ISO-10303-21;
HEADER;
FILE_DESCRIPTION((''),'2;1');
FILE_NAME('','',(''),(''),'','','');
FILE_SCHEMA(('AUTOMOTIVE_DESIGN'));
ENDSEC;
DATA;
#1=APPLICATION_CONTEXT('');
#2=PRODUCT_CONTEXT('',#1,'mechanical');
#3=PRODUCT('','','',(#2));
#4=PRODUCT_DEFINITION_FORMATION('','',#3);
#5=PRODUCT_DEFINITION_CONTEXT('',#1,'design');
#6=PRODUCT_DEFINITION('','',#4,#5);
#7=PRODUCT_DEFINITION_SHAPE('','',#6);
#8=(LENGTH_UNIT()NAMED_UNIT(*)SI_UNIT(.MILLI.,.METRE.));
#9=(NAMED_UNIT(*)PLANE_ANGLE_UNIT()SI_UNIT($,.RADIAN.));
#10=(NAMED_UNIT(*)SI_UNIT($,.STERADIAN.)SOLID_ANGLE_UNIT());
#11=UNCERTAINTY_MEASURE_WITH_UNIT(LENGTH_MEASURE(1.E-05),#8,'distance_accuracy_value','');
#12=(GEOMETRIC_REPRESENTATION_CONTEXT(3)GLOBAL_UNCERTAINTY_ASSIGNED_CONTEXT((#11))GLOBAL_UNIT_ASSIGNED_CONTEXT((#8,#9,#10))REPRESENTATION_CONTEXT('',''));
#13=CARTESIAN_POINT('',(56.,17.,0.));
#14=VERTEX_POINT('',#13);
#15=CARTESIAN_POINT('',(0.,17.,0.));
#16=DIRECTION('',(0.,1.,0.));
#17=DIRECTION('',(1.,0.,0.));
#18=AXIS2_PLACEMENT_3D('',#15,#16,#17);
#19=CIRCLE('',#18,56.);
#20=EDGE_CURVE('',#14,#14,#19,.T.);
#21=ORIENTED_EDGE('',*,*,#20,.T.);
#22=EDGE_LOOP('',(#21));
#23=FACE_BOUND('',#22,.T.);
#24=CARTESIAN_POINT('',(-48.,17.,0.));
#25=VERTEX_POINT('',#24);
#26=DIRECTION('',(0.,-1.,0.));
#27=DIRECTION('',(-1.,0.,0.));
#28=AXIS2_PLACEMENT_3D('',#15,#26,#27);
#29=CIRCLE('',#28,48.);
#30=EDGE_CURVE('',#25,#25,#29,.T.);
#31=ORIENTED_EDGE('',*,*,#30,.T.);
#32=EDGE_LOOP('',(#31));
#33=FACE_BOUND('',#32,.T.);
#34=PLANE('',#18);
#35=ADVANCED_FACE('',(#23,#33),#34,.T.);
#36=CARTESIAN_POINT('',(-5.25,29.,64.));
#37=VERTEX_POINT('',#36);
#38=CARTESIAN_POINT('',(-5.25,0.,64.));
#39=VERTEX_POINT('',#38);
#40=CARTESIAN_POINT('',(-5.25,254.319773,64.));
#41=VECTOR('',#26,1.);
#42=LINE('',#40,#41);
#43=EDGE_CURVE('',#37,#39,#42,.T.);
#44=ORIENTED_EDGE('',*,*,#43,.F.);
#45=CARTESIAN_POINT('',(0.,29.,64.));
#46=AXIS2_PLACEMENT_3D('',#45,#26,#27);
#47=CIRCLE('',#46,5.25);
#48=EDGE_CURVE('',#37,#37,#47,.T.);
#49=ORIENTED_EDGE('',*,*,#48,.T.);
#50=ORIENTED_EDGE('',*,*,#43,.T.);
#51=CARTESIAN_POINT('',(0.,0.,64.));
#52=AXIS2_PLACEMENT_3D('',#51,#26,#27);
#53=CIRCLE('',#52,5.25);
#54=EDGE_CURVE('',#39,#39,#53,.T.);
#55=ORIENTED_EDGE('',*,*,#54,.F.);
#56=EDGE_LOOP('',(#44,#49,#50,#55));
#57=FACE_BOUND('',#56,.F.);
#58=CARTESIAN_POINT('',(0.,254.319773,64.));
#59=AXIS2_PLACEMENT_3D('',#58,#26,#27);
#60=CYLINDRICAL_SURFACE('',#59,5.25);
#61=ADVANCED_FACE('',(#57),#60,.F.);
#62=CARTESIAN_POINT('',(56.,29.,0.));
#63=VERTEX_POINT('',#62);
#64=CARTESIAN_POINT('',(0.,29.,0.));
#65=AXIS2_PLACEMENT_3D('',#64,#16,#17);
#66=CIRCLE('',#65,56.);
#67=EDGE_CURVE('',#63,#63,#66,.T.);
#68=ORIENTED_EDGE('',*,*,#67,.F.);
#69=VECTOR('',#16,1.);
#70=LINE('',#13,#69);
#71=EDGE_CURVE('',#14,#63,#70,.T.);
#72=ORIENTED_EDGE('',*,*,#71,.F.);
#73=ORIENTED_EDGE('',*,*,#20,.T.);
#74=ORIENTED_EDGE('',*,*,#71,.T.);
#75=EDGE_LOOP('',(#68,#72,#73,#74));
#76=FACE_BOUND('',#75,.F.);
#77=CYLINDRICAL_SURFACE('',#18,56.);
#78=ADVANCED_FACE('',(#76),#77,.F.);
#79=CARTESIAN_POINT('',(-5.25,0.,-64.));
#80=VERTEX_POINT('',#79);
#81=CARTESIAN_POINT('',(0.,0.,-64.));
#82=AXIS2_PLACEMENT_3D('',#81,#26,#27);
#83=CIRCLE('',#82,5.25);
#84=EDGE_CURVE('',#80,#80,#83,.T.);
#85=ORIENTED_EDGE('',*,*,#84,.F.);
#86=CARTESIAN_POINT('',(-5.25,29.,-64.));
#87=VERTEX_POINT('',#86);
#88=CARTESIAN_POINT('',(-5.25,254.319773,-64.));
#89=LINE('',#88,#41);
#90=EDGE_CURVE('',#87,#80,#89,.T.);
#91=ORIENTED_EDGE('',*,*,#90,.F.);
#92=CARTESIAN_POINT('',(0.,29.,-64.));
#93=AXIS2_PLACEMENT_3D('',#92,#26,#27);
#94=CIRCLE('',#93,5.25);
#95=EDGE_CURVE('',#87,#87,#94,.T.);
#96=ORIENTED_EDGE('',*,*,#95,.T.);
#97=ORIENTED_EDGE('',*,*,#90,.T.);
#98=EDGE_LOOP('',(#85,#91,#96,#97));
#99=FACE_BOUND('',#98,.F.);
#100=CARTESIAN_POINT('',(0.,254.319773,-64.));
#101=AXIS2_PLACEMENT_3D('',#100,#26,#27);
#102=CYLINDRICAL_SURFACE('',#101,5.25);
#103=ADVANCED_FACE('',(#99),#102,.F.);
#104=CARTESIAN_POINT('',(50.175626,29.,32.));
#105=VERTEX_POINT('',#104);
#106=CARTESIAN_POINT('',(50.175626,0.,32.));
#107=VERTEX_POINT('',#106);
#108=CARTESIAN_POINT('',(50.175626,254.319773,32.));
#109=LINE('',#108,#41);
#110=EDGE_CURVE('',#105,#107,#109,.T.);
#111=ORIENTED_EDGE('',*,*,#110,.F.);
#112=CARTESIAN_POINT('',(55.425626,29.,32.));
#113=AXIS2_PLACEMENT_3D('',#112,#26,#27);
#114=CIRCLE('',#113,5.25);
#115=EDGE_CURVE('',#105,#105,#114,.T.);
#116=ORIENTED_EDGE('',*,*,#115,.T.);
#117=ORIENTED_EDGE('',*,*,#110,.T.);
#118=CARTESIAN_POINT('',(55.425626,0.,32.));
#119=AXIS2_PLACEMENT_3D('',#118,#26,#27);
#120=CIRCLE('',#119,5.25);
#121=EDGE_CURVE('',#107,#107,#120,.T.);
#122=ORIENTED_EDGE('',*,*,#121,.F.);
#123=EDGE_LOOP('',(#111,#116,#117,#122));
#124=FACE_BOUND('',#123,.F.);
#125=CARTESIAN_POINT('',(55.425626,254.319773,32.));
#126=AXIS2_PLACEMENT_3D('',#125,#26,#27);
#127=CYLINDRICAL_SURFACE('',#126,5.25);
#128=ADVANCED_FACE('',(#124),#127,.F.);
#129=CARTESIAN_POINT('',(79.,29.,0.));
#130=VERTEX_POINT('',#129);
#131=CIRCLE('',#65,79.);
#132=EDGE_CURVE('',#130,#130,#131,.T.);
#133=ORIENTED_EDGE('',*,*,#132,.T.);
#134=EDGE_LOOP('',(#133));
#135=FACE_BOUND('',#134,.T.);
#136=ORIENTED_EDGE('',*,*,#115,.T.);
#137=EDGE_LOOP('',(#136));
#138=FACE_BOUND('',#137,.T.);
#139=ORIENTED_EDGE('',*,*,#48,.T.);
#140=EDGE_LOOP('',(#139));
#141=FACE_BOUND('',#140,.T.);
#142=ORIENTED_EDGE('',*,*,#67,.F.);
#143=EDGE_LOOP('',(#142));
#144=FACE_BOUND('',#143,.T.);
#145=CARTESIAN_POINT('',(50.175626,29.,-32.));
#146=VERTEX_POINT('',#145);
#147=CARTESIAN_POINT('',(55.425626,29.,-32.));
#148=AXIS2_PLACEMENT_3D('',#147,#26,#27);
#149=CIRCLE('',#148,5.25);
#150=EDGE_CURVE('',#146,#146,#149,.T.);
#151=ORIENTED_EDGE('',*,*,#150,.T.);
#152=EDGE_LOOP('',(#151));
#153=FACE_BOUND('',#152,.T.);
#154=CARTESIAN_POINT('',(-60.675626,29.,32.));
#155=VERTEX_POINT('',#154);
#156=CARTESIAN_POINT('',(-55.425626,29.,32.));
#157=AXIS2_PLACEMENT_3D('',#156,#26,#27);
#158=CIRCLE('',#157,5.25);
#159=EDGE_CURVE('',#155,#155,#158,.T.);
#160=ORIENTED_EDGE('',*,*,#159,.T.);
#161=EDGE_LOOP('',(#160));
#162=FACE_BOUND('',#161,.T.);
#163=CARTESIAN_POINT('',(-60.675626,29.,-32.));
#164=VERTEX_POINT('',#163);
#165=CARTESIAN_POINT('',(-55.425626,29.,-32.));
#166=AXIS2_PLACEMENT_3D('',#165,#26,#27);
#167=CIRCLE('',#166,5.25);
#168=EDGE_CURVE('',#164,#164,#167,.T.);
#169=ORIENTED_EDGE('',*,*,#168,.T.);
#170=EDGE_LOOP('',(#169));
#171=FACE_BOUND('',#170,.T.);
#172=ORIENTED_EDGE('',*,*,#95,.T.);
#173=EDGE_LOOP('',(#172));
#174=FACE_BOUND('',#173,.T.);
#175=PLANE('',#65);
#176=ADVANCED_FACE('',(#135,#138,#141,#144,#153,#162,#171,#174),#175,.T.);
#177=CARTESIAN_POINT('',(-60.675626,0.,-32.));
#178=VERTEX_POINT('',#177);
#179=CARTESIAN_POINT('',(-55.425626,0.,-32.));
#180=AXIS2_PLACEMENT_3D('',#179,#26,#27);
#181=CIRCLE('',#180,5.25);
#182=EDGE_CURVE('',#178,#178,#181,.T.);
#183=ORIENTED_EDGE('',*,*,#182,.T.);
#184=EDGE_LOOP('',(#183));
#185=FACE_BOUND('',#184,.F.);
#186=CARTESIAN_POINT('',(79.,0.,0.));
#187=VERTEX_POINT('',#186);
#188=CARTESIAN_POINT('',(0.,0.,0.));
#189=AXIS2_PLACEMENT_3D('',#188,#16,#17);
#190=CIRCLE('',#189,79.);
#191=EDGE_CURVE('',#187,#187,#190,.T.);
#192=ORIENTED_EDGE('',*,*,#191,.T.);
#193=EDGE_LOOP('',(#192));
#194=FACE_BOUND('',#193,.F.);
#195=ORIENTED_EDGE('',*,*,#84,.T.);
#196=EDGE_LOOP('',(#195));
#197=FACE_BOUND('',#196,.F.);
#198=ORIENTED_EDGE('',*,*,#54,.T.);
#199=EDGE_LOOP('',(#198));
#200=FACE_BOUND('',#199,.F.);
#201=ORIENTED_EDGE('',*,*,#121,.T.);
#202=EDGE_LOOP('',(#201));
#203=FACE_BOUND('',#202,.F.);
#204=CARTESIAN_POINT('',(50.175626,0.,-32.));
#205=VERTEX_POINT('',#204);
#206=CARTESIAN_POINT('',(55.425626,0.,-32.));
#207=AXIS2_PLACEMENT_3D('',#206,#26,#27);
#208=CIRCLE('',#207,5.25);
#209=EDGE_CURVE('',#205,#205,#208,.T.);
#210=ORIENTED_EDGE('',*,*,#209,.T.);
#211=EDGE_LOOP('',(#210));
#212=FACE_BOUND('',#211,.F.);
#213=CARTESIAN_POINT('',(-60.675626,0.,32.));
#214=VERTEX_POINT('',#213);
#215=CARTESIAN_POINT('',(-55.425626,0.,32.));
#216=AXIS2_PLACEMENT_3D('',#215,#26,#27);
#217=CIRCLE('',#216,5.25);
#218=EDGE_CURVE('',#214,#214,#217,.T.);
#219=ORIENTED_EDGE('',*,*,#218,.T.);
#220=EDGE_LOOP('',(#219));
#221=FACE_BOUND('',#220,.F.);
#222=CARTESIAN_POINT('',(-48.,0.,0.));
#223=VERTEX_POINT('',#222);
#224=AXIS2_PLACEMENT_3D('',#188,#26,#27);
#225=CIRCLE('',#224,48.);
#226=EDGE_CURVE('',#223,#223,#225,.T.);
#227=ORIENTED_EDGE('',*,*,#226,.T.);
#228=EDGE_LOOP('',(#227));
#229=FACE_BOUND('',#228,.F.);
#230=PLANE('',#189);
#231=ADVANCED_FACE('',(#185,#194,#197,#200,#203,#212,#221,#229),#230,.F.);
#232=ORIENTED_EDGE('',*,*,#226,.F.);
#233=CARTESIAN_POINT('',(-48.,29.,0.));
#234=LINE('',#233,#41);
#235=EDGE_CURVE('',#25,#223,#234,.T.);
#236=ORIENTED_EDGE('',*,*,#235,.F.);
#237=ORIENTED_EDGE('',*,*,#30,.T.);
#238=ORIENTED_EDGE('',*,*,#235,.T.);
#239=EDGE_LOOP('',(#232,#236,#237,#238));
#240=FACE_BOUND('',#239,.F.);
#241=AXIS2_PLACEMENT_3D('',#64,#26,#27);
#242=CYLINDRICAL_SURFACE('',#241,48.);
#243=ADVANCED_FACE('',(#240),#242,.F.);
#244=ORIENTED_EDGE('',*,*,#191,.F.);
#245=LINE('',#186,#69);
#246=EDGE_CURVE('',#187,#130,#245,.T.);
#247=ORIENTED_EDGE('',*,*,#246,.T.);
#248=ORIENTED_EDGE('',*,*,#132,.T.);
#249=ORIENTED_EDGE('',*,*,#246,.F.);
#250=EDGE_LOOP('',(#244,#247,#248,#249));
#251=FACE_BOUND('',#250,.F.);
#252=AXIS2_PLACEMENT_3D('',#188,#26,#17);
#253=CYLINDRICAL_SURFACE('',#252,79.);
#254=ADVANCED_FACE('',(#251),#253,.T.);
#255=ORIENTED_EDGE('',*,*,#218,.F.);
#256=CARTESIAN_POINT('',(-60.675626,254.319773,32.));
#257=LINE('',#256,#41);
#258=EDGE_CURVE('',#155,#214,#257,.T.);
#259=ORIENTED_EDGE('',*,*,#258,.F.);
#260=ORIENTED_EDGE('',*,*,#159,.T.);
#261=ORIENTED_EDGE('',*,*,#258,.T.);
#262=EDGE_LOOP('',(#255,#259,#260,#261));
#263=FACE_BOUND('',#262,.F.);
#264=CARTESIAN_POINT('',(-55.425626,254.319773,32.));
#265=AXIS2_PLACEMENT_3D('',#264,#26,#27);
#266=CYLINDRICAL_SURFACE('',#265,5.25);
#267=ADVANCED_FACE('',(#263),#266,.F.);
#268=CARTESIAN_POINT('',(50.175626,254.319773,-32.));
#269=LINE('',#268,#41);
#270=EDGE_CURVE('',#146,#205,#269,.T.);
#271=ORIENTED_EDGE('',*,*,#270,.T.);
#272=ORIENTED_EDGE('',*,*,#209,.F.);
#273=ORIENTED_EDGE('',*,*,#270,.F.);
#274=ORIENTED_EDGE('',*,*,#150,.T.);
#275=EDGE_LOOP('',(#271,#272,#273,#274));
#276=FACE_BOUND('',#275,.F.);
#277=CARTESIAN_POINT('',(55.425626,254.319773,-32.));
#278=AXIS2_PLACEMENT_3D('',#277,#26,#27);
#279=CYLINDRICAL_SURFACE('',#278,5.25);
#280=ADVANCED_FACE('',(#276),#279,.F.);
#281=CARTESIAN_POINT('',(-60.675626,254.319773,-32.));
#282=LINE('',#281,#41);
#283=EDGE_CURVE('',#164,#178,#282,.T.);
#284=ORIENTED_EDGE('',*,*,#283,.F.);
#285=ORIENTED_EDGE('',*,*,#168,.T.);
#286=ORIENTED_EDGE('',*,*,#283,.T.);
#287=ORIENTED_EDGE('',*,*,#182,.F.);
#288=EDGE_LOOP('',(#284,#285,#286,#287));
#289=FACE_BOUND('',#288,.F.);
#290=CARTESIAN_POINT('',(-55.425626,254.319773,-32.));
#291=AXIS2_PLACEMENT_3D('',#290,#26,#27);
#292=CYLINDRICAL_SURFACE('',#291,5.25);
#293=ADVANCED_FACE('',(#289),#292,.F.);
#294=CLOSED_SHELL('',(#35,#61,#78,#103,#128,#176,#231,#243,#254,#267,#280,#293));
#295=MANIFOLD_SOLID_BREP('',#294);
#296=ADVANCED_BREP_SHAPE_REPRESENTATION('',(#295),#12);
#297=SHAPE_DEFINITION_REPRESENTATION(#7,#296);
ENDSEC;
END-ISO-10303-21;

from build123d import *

# Parameters (mm, degrees)
SKETCH1_R                                = 79
BOSS_EXTRUDE1_DEPTH                      = 29
CBORE_FOR_M10_HEX_HEAD_BOLT1_D           = 96
CBORE_FOR_M10_HEX_HEAD_BOLT1_CBORE_D     = 112
CBORE_FOR_M10_HEX_HEAD_BOLT1_CBORE_DEPTH = 12
TAP_DRILL_FOR_M12X1_5_TAP1_D             = 10.5


with BuildPart() as part:
    # Sketch1 → Boss-Extrude1 (new body)
    with BuildSketch(Plane(origin=(0, 0, 0), x_dir=(1, 0, 0), z_dir=(0, 1, 0))):
        Circle(SKETCH1_R)
    extrude(amount=BOSS_EXTRUDE1_DEPTH)

    # CBORE for M10 Hex Head Bolt1 (through all)
    with Locations(Plane(origin=(0, 29, 0), x_dir=(1, 0, 0), z_dir=(0, 1, 0))):
        with Locations((0, 0)):
            CounterBoreHole(CBORE_FOR_M10_HEX_HEAD_BOLT1_D / 2, CBORE_FOR_M10_HEX_HEAD_BOLT1_CBORE_D / 2, CBORE_FOR_M10_HEX_HEAD_BOLT1_CBORE_DEPTH)

    # Tap Drill for M12x1.5 Tap1 (through all)
    with Locations(Plane(origin=(0, 29, 0), x_dir=(1, 0, 0), z_dir=(0, 1, 0))):
        with Locations((55.425625842, -32), (0, -64), (-55.425625842, -32), (-55.425625842, 32), (0, 64), (55.425625842, 32), (0, 0)):
            Hole(TAP_DRILL_FOR_M12X1_5_TAP1_D / 2)


solid = part.part
